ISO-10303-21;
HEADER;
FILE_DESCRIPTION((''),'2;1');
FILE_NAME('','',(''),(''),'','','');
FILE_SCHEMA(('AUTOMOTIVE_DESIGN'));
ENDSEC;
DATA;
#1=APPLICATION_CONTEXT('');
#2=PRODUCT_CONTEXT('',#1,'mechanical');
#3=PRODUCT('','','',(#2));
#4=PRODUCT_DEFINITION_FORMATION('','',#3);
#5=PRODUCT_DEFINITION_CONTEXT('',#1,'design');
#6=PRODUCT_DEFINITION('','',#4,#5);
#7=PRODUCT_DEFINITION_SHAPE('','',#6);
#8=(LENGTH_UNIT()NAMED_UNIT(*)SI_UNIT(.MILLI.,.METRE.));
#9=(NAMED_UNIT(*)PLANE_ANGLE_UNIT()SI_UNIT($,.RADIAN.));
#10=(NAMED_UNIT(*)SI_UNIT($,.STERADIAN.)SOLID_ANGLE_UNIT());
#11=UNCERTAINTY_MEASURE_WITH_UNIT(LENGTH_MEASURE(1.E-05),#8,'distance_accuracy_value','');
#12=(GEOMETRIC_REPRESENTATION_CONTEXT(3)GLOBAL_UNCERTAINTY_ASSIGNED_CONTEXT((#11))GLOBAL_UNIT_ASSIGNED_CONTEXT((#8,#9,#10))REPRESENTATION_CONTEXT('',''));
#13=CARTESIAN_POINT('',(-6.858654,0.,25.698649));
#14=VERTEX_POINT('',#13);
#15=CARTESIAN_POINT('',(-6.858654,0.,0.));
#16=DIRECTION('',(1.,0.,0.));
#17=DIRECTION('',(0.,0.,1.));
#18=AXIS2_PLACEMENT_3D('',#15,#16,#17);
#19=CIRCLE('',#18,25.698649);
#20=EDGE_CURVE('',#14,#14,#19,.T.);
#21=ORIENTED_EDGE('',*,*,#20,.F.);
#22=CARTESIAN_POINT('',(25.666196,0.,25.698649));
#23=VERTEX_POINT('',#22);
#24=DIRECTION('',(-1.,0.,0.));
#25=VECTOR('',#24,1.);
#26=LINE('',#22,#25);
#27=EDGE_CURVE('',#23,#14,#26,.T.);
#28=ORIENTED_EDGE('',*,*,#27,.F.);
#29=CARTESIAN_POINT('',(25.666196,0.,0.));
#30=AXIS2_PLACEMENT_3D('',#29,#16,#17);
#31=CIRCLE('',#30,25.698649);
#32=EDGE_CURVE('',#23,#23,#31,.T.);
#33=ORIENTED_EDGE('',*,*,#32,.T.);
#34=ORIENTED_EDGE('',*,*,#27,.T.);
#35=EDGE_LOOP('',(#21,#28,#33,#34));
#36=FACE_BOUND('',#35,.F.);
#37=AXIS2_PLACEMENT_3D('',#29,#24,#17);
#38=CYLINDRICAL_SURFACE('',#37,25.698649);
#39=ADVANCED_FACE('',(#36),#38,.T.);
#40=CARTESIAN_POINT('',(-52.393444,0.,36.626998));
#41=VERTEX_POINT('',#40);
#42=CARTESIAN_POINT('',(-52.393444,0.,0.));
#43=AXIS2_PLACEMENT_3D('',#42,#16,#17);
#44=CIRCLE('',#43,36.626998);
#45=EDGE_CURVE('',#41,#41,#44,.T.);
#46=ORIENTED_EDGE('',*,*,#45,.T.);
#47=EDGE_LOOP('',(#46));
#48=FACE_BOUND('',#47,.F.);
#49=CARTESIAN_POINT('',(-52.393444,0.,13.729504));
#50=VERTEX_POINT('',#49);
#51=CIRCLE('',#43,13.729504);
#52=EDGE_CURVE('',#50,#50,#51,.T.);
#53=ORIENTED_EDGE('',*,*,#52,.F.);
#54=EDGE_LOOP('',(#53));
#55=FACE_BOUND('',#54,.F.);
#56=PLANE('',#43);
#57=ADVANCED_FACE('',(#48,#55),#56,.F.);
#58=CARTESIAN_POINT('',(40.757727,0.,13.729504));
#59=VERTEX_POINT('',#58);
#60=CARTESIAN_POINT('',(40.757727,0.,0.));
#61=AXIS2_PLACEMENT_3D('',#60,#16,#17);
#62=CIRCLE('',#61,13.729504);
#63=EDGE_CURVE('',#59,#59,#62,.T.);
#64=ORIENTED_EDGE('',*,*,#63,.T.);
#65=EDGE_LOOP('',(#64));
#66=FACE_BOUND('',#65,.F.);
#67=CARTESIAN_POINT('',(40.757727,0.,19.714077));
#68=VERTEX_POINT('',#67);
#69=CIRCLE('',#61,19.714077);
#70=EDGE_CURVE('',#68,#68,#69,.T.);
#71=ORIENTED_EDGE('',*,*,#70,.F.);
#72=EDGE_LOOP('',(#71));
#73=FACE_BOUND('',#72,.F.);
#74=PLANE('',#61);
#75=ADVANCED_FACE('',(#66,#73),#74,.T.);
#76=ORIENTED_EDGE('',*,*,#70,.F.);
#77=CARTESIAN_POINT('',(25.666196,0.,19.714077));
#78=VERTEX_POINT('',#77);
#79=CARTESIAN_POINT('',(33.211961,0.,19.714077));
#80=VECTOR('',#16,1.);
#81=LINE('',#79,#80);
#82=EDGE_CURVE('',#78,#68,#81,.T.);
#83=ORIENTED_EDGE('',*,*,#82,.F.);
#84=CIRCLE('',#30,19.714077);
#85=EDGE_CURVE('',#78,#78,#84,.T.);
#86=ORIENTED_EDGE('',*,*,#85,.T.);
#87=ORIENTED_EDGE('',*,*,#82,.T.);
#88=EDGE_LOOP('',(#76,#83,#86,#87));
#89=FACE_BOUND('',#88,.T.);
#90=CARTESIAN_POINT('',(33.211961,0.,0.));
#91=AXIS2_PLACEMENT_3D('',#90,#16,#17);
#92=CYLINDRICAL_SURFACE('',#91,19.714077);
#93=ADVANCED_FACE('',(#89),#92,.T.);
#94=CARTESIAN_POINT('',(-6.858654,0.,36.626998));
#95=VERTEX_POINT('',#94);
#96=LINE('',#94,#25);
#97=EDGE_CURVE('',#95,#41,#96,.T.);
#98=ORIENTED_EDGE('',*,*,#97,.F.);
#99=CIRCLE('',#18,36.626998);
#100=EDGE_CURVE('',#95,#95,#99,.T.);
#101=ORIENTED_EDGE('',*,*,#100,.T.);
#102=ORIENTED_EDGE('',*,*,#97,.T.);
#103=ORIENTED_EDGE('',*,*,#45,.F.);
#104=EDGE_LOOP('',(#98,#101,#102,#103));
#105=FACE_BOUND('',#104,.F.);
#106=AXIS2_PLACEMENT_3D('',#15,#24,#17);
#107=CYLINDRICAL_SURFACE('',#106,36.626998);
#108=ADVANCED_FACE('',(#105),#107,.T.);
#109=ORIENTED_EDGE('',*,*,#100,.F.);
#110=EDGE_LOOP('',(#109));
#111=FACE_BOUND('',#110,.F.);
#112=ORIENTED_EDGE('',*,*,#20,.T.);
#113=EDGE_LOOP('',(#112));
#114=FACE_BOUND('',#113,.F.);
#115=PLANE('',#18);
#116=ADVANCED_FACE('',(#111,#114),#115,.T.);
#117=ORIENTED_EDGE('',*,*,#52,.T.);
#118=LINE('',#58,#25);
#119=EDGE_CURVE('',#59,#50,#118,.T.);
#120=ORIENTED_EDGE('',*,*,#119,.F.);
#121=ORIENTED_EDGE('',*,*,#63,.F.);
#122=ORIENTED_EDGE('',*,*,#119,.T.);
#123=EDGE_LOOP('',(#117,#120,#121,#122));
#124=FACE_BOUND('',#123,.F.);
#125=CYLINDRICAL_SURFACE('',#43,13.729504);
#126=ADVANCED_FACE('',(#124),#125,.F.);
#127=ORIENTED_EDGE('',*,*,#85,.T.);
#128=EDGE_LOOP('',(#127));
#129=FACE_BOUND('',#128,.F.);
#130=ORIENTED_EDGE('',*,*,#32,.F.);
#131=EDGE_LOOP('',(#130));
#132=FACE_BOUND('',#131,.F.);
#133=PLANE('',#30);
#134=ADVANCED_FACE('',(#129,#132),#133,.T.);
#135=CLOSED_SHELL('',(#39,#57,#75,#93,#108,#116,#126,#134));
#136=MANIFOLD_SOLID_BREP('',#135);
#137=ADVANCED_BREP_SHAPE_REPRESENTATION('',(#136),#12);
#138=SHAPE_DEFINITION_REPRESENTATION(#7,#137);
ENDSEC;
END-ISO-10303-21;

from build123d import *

# Parameters (mm, degrees)
F0_W   = 11.4487484097
F0_H   = 11.9691444561
F0_W_2 = 6.2447711825
F0_H_2 = 5.984572228
F0_W_3 = 15.0915309787


with BuildPart() as f1:
    # F0 (on Front) → F1 (revolve)
    with BuildSketch(Plane.XZ):
        Polygon((-6.8586543202, 36.6269983351), (-52.3934438825, 36.6269983351), (-52.3934438825, 13.7295043096), (-18.30740273, 13.7295043096), (-18.30740273, 25.6986487657), (-6.8586543202, 25.6986487657), align=None)
        Polygon((25.6661958992, 25.6986487657), (-6.8586543202, 25.6986487657), (-6.8586543202, 13.7295043096), (19.4214247167, 13.7295043096), (19.4214247167, 19.7140765376), (25.6661958992, 19.7140765376), align=None)
        with Locations((-12.5830285251, 19.7140765376)):
            Rectangle(F0_W, F0_H)
        with Locations((22.543810308, 16.7217904236)):
            Rectangle(F0_W_2, F0_H_2)
        with Locations((33.2119613886, 16.7217904236)):
            Rectangle(F0_W_3, F0_H_2)
    revolve(axis=Axis((4.5737884939, 0, 0), (1, 0, 0)))


solid = f1.part
